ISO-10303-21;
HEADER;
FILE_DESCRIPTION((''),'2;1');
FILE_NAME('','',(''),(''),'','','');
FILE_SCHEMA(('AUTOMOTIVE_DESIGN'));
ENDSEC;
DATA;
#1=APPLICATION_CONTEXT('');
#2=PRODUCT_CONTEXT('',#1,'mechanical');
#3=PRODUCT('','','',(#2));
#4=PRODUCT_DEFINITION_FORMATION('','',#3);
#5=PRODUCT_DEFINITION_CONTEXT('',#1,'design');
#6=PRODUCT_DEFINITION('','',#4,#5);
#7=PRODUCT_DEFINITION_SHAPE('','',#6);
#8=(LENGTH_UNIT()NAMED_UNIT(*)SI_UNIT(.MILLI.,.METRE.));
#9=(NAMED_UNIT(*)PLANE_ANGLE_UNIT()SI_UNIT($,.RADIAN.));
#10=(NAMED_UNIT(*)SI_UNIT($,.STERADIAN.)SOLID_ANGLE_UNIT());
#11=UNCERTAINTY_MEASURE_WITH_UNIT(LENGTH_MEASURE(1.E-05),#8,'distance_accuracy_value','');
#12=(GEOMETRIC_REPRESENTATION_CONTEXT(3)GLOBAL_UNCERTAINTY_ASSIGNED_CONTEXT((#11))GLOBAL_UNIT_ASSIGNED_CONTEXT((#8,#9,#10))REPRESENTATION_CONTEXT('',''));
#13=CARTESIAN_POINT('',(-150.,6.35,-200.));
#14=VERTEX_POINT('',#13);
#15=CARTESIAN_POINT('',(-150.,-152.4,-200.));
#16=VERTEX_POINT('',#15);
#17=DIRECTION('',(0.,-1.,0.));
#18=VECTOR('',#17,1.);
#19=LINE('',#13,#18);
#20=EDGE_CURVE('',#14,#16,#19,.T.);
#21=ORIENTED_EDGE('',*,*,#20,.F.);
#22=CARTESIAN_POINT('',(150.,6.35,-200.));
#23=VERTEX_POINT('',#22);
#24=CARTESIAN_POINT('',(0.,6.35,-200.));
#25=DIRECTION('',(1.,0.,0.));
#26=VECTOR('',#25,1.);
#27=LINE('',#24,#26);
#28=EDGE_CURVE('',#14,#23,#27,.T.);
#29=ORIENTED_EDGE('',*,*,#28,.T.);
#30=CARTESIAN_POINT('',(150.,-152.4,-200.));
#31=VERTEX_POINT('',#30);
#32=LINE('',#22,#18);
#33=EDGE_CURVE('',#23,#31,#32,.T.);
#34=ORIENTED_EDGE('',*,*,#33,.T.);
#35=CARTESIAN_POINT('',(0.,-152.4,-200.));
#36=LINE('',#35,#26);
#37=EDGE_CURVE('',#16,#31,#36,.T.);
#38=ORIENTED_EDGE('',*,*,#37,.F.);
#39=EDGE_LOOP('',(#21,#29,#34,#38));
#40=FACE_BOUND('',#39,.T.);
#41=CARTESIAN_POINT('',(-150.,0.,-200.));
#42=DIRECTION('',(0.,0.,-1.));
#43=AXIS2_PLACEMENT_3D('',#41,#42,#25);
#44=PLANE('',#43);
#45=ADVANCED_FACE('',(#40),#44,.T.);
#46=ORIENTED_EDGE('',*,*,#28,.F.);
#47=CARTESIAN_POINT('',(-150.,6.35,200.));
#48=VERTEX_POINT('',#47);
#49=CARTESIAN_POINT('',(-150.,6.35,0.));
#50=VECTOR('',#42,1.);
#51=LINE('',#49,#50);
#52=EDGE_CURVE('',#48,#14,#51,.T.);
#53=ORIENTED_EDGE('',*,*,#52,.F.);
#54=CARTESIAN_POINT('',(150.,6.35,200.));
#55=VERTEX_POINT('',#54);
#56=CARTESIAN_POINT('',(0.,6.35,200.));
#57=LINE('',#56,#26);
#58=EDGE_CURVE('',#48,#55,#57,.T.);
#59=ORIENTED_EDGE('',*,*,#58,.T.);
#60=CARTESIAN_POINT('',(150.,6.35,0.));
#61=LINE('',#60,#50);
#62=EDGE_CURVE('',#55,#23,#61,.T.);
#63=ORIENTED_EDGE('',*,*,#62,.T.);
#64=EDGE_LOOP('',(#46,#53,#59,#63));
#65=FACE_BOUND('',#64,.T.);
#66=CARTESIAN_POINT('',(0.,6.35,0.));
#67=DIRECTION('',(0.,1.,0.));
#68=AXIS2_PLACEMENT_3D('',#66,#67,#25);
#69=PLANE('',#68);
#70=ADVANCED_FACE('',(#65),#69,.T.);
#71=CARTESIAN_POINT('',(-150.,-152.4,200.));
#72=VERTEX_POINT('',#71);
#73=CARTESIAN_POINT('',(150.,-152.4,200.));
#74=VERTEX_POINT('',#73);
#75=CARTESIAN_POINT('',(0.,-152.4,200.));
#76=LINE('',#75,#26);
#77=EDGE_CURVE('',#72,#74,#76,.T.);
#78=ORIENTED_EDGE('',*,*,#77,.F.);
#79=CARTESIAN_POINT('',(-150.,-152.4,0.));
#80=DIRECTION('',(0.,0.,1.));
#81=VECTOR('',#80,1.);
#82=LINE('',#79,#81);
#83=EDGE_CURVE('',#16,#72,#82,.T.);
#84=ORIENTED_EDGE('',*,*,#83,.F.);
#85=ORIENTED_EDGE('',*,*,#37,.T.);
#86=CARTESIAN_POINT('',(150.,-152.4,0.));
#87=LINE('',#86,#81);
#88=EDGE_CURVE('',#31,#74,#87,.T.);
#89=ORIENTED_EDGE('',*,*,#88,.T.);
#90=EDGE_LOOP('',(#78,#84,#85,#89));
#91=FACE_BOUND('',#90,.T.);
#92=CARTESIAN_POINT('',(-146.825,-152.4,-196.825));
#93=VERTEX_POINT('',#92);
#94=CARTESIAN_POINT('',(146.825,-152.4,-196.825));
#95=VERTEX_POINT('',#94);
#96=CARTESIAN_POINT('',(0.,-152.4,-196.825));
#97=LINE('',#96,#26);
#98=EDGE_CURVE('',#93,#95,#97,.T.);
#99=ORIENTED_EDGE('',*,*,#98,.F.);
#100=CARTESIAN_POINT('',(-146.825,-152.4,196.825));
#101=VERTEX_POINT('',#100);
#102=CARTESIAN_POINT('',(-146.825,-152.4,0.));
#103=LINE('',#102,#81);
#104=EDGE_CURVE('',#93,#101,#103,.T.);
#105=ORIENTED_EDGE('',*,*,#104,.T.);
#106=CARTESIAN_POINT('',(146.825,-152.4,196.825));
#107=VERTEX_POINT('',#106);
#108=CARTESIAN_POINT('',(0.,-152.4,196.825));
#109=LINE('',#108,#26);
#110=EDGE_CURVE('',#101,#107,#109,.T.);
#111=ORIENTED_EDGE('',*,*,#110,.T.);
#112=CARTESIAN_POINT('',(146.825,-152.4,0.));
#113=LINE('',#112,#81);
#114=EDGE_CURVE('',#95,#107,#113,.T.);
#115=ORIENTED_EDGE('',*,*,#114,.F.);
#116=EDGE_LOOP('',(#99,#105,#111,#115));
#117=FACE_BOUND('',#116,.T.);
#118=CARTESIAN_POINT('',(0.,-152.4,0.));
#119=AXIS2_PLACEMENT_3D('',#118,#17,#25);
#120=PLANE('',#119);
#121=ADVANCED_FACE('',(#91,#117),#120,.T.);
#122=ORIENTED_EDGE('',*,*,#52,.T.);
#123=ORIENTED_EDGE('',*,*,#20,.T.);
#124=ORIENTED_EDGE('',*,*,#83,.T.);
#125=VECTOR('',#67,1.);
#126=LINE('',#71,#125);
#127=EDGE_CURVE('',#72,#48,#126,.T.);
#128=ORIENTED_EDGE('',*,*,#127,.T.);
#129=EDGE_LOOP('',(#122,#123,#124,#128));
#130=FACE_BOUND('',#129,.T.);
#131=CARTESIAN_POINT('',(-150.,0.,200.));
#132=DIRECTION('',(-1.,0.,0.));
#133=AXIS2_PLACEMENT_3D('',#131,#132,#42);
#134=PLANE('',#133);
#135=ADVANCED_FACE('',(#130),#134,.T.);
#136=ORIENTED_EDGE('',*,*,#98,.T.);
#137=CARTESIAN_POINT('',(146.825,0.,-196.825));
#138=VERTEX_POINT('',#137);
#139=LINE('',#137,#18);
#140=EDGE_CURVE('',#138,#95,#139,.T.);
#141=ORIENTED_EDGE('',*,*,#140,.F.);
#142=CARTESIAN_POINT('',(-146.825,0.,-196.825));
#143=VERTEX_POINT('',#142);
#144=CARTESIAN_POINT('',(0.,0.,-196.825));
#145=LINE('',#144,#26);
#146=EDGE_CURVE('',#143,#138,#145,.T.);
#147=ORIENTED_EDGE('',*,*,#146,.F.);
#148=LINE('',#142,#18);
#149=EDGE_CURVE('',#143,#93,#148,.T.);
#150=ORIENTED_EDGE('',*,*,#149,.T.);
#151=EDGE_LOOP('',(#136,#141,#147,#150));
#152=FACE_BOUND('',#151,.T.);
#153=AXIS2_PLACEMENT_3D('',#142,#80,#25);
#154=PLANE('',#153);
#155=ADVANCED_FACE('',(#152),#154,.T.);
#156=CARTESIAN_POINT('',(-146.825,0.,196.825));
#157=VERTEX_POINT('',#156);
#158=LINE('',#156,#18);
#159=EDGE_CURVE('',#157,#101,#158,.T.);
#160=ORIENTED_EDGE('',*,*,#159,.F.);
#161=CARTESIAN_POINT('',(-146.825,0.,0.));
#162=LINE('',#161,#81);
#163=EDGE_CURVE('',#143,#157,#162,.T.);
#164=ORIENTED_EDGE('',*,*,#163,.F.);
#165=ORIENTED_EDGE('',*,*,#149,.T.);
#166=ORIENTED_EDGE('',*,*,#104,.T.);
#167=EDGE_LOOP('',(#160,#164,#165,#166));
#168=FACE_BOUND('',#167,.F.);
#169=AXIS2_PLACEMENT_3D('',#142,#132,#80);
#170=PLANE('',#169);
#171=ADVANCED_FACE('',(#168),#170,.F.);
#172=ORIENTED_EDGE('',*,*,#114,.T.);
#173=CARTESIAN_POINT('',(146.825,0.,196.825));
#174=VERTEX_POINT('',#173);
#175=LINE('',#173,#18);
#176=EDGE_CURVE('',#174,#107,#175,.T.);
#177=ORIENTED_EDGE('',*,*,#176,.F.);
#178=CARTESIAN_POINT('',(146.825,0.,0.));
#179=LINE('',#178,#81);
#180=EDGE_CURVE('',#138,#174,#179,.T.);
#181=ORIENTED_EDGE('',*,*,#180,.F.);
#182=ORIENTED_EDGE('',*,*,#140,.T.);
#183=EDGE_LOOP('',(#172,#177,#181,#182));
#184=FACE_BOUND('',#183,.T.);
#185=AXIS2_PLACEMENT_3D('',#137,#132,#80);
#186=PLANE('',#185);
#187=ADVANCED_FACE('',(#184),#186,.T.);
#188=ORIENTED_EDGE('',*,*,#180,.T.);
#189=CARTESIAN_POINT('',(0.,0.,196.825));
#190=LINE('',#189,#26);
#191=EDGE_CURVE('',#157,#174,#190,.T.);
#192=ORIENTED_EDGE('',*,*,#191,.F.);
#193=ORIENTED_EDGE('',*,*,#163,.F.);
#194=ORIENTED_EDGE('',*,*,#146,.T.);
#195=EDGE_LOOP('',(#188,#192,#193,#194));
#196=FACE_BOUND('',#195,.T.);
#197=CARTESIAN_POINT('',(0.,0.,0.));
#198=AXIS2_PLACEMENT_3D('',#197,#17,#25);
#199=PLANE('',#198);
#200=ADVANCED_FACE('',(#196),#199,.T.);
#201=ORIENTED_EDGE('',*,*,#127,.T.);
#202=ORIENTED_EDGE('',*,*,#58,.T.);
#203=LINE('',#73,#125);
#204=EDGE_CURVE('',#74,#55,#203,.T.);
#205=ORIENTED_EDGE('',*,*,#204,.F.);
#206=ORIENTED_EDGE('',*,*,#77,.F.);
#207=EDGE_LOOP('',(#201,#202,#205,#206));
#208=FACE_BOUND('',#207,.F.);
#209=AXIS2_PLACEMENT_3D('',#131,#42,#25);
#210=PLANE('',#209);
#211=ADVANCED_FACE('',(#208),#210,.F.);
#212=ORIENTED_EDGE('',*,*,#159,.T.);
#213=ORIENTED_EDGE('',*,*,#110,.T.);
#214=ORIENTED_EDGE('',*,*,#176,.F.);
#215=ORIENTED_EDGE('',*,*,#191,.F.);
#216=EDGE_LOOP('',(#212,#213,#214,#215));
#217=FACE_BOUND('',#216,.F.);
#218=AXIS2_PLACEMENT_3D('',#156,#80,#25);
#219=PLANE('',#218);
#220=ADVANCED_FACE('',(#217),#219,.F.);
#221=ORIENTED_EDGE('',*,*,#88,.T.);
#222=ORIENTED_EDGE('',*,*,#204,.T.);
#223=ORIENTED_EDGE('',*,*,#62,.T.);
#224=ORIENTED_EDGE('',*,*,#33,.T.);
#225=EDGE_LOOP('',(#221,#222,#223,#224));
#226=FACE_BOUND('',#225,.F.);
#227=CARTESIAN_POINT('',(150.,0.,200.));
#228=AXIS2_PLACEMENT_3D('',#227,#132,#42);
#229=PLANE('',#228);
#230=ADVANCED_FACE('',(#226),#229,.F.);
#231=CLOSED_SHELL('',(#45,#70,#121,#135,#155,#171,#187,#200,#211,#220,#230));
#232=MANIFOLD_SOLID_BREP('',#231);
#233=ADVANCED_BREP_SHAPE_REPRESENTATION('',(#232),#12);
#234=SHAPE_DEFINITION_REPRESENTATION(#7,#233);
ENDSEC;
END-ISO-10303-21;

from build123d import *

# Parameters (mm, degrees)
F0_W        = 300
F0_H        = 400
F0_W_2      = 293.65
F0_H_2      = 393.65
F1_DEPTH    = 152.4
F1_FACE_W   = 300
F1_FACE_H   = 400
F1_FACE_W_2 = 293.65
F1_FACE_H_2 = 393.65
F2_DEPTH    = 6.35


with BuildPart() as f1:
    # F0 (on Front) → F1 (new body)
    with BuildSketch(Plane.XZ):
        Rectangle(F0_W, F0_H)
        Rectangle(F0_W_2, F0_H_2, mode=Mode.SUBTRACT)
    extrude(amount=F1_DEPTH)

    # F1_face (on face) + F0 (on Front) → F2 (join)
    with BuildSketch(Plane(origin=(0, 0, 0), x_dir=(1, 0, 0), z_dir=(0, 1, 0))):
        Rectangle(F1_FACE_W, F1_FACE_H)
        Rectangle(F1_FACE_W_2, F1_FACE_H_2, mode=Mode.SUBTRACT)
    with BuildSketch(Plane.XZ):
        Rectangle(F0_W_2, F0_H_2)
    extrude(amount=F2_DEPTH, dir=(0, 1, 0))


solid = f1.part
